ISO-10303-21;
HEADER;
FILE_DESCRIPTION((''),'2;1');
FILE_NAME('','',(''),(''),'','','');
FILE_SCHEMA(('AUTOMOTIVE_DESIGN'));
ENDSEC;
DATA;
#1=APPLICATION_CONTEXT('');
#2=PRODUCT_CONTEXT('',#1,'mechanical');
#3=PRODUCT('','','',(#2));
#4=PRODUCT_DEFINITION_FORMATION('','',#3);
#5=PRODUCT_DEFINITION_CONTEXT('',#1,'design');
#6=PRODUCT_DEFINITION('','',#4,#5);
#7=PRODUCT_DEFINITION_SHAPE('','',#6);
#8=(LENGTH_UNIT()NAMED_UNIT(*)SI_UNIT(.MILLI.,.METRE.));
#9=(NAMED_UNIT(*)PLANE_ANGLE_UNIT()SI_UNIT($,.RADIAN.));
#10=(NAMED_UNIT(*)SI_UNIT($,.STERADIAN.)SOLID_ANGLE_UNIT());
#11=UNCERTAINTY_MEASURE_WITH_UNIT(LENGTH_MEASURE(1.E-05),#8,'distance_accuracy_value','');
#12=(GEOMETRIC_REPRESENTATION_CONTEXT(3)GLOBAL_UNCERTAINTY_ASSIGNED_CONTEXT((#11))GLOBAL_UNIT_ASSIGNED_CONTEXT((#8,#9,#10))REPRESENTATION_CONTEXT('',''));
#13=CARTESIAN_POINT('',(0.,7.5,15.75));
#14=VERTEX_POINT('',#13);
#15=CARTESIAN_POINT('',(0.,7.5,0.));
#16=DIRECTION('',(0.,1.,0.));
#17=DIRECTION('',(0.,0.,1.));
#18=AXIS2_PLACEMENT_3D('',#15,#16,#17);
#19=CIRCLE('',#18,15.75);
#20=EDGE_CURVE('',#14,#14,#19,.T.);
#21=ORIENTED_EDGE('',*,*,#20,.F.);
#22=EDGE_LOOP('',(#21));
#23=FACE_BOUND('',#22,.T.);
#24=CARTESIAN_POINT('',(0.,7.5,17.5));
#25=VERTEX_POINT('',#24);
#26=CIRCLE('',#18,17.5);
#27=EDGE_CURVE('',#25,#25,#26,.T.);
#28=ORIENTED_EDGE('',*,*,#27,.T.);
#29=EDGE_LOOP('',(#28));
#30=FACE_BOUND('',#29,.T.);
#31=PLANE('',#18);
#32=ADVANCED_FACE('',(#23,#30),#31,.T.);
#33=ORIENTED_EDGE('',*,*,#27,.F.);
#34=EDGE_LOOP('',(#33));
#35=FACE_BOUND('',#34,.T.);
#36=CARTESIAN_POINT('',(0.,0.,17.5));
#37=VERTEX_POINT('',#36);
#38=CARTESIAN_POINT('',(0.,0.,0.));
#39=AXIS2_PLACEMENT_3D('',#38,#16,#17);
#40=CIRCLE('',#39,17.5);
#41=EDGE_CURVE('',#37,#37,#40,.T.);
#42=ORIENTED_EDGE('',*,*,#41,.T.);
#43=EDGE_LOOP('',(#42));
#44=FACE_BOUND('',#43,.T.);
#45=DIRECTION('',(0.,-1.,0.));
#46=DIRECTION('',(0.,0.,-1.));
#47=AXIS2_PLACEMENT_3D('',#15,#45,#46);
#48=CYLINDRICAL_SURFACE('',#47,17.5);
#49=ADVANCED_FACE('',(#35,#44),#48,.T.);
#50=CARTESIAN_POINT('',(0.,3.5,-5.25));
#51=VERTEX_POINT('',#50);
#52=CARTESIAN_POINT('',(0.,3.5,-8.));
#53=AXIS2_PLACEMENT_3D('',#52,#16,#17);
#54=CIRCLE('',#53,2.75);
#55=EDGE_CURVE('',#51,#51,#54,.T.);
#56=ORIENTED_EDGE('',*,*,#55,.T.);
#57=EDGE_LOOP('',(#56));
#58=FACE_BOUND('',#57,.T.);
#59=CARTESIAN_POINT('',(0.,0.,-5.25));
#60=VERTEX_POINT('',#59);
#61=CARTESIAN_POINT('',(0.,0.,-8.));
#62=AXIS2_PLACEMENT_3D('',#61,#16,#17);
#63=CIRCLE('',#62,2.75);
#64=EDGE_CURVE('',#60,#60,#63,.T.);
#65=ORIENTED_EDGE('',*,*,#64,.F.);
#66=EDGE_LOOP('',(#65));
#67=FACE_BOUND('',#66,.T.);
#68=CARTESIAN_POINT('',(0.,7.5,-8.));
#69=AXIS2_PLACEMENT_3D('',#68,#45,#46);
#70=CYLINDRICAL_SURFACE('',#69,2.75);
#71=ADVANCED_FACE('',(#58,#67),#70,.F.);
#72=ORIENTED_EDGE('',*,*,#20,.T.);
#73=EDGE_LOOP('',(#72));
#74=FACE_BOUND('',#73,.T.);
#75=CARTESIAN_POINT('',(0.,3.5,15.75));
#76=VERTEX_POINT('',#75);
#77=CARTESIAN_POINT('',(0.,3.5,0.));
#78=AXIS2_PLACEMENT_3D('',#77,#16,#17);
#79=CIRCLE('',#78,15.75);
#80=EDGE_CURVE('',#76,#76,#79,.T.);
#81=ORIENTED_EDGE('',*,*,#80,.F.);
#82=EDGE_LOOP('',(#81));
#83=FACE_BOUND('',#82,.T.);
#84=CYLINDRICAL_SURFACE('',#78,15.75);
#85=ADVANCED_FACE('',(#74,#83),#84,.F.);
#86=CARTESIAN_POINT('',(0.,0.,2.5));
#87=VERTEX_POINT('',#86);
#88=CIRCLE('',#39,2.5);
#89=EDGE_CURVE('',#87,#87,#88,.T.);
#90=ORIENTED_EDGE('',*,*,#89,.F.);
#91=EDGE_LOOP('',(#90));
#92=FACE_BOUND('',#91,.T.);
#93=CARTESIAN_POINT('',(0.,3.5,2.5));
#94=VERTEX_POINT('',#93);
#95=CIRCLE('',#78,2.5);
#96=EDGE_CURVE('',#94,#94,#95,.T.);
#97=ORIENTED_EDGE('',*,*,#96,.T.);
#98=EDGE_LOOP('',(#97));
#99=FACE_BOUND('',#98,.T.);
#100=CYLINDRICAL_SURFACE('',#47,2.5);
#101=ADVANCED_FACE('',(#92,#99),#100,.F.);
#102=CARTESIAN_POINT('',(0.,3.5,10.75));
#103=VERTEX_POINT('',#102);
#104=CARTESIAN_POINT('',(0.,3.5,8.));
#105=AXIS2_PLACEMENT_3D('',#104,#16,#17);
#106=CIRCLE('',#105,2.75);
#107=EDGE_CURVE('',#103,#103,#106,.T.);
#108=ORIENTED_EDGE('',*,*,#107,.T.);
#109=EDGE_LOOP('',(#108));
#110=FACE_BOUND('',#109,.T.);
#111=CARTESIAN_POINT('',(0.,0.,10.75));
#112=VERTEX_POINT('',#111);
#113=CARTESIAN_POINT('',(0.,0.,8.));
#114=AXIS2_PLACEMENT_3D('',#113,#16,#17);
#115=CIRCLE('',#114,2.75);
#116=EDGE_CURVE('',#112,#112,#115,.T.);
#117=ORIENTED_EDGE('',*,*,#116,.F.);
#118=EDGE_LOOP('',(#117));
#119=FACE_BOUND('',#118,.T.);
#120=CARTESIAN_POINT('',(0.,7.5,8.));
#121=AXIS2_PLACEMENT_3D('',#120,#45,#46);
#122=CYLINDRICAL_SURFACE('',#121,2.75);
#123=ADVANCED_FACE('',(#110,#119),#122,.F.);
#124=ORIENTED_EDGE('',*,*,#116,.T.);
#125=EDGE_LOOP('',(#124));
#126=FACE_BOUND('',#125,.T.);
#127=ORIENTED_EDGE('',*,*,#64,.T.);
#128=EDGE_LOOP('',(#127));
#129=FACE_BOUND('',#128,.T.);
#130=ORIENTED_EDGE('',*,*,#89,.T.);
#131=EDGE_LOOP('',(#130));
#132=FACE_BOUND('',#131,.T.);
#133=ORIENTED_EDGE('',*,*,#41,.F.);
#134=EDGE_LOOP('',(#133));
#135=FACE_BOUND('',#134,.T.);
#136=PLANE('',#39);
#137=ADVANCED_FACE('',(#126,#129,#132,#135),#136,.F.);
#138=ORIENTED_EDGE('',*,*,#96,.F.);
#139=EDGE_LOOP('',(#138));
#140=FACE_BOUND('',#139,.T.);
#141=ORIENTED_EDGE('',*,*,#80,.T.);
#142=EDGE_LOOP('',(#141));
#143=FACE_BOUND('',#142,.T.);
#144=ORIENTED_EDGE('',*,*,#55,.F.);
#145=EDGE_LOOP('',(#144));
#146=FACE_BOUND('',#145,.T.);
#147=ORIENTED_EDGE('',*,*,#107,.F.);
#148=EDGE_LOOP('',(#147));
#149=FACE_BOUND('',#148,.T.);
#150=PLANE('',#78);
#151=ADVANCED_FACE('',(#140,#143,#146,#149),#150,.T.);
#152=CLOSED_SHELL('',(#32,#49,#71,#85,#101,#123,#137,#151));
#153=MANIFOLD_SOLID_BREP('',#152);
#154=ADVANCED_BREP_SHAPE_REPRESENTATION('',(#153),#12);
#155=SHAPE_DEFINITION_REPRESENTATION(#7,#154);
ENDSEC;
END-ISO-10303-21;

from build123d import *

# Parameters (mm, degrees)
SKETCH4_R        = 17.5
SKETCH4_R_2      = 2.75
SKETCH4_R_3      = 2.5
LIDBASE_DEPTH    = 7.5
SKETCH5_R        = 15.75
LIDGROOVES_DEPTH = 4


with BuildPart() as part:
    # Sketch4 → LidBase (new body)
    with BuildSketch(Plane(origin=(0, 0, 0), x_dir=(1, 0, 0), z_dir=(0, 1, 0))):
        Circle(SKETCH4_R)
        with Locations((0, -8)):
            Circle(SKETCH4_R_2, mode=Mode.SUBTRACT)
        with Locations((0, 8)):
            Circle(SKETCH4_R_2, mode=Mode.SUBTRACT)
        Circle(SKETCH4_R_3, mode=Mode.SUBTRACT)
    extrude(amount=LIDBASE_DEPTH)

    # Sketch5 → LidGrooves (cut)
    with BuildSketch(Plane(origin=(0, 7.5, 0), x_dir=(1, 0, 0), z_dir=(0, 1, 0))):
        Circle(SKETCH5_R)
    extrude(amount=-LIDGROOVES_DEPTH, mode=Mode.SUBTRACT)


solid = part.part
